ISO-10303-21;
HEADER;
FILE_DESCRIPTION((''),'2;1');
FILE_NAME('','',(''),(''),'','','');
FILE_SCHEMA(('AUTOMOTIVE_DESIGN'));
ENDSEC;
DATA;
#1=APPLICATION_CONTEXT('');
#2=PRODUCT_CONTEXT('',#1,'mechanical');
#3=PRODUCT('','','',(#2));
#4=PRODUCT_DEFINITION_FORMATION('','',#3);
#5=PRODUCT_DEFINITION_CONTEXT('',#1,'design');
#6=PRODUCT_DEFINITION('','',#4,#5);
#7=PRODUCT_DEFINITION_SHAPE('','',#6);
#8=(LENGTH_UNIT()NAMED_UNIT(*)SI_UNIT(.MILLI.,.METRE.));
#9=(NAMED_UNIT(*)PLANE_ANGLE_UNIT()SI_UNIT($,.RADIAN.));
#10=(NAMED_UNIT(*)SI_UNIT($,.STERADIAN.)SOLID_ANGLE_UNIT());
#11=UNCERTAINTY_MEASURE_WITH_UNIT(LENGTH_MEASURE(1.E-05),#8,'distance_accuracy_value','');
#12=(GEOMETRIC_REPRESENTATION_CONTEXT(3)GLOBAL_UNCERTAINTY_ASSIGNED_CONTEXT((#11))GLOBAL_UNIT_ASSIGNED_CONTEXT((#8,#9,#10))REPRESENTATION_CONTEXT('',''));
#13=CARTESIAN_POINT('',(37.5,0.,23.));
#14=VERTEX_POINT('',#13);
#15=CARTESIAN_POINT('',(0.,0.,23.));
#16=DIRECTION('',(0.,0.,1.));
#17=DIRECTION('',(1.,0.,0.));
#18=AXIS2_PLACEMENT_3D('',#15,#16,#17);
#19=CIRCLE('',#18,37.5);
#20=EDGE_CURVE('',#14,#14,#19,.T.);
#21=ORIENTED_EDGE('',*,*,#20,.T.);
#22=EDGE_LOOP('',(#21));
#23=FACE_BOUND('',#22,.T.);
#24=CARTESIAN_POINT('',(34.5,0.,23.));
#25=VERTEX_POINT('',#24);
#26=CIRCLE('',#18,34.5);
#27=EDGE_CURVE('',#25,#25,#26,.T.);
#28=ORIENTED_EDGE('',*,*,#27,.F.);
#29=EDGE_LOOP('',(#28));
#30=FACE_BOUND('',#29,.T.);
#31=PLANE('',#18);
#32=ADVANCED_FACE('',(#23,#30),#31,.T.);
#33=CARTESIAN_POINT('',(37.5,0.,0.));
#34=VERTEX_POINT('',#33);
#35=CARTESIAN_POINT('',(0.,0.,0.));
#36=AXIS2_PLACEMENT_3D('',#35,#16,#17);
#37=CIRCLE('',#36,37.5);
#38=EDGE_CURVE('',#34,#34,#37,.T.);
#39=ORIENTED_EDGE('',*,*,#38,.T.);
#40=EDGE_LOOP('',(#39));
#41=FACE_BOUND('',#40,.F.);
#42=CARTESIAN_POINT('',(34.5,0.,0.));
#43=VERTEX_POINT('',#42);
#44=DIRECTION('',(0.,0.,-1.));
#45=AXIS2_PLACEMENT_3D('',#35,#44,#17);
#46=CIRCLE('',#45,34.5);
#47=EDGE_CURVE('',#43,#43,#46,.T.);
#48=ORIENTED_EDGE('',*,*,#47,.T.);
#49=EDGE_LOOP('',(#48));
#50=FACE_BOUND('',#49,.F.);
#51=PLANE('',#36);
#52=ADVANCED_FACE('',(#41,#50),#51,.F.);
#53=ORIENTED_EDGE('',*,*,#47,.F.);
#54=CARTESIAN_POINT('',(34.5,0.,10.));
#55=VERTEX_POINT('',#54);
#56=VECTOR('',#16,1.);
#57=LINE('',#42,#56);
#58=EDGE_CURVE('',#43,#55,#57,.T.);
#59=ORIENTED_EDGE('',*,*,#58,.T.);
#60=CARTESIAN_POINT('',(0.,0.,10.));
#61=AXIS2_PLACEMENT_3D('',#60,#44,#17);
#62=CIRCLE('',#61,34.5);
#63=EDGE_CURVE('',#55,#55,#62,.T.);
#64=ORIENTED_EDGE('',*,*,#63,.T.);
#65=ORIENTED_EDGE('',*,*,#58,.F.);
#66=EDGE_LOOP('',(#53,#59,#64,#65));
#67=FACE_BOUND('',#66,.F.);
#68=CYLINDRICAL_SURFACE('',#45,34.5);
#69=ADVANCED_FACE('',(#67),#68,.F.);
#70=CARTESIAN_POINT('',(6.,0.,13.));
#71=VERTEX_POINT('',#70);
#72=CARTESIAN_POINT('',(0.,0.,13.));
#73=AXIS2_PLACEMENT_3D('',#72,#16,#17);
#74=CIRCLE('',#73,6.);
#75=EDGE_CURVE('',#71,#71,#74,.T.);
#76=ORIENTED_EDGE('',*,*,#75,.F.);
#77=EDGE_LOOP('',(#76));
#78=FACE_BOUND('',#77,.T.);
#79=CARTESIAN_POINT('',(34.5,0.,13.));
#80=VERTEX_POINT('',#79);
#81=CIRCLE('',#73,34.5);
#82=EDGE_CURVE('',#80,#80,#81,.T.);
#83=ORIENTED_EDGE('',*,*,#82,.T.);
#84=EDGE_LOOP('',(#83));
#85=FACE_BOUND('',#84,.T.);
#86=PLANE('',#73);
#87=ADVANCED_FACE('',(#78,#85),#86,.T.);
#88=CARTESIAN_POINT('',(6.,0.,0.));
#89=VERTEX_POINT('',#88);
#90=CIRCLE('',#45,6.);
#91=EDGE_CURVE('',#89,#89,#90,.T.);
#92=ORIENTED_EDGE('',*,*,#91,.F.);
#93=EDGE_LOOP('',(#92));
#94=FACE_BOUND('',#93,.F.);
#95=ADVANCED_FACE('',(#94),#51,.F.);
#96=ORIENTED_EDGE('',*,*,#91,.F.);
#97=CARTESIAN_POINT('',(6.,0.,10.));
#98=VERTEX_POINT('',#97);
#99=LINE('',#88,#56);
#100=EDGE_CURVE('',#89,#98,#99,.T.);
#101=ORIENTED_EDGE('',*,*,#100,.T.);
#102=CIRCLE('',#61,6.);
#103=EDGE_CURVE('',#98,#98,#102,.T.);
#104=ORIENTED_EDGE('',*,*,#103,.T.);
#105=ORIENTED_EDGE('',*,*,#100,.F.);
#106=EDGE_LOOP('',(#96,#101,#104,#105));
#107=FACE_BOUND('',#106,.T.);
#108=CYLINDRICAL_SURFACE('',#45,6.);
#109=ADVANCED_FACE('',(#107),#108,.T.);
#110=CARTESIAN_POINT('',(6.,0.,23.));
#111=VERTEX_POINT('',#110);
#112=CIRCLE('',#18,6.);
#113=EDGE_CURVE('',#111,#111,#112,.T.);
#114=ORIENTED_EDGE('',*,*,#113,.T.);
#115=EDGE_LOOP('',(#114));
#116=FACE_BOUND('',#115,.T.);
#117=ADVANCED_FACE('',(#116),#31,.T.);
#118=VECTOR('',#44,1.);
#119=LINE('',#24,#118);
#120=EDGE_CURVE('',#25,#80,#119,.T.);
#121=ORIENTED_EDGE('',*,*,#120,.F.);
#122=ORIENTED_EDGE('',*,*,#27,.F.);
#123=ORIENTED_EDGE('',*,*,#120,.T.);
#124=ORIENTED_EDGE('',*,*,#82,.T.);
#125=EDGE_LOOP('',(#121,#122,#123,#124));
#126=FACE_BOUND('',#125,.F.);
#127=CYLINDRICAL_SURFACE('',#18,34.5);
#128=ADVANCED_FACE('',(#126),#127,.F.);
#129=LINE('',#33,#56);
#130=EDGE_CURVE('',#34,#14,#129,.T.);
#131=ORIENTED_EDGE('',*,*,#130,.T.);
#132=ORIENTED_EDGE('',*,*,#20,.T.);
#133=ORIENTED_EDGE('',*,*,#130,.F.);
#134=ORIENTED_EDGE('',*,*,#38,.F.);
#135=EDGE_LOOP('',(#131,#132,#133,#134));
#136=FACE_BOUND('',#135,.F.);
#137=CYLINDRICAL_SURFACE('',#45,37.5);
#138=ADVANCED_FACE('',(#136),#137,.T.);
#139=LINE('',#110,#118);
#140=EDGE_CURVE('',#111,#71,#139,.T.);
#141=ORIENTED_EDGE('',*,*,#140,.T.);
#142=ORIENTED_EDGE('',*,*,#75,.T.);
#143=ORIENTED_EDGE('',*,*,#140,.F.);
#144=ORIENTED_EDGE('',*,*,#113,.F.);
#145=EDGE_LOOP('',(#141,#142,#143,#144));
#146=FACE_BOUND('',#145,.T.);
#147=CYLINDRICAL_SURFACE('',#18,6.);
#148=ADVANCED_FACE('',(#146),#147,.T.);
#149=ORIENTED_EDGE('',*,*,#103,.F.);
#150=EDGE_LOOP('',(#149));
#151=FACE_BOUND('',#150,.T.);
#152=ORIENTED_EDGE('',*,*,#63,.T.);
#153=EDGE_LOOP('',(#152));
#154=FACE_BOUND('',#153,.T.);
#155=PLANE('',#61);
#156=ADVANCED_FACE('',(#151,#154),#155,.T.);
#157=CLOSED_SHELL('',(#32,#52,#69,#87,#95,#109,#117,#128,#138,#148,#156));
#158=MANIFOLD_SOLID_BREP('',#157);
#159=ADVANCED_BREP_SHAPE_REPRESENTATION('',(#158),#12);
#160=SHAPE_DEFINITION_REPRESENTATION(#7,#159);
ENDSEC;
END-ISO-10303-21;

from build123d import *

# Parameters (mm, degrees)
F0_R     = 37.5
F1_DEPTH = 23
F2_R     = 34.5
F2_R_2   = 6
F3_DEPTH = 10
F4_R     = 34.5
F4_R_2   = 6
F5_DEPTH = 10


with BuildPart() as f1:
    # F0 (on Top) → F1 (new body)
    with BuildSketch(Plane.XY):
        Circle(F0_R)
    extrude(amount=F1_DEPTH)

    # F2 (on face) → F3 (cut)
    with BuildSketch(Plane.XY.offset(23)):
        Circle(F2_R)
        Circle(F2_R_2, mode=Mode.SUBTRACT)
    extrude(amount=-F3_DEPTH, mode=Mode.SUBTRACT)

    # F4 (on face) → F5 (cut)
    with BuildSketch(Plane(origin=(0, 0, 0), x_dir=(1, 0, 0), z_dir=(0, 0, -1))):
        Circle(F4_R)
        Circle(F4_R_2, mode=Mode.SUBTRACT)
    extrude(amount=-F5_DEPTH, mode=Mode.SUBTRACT)


solid = f1.part
